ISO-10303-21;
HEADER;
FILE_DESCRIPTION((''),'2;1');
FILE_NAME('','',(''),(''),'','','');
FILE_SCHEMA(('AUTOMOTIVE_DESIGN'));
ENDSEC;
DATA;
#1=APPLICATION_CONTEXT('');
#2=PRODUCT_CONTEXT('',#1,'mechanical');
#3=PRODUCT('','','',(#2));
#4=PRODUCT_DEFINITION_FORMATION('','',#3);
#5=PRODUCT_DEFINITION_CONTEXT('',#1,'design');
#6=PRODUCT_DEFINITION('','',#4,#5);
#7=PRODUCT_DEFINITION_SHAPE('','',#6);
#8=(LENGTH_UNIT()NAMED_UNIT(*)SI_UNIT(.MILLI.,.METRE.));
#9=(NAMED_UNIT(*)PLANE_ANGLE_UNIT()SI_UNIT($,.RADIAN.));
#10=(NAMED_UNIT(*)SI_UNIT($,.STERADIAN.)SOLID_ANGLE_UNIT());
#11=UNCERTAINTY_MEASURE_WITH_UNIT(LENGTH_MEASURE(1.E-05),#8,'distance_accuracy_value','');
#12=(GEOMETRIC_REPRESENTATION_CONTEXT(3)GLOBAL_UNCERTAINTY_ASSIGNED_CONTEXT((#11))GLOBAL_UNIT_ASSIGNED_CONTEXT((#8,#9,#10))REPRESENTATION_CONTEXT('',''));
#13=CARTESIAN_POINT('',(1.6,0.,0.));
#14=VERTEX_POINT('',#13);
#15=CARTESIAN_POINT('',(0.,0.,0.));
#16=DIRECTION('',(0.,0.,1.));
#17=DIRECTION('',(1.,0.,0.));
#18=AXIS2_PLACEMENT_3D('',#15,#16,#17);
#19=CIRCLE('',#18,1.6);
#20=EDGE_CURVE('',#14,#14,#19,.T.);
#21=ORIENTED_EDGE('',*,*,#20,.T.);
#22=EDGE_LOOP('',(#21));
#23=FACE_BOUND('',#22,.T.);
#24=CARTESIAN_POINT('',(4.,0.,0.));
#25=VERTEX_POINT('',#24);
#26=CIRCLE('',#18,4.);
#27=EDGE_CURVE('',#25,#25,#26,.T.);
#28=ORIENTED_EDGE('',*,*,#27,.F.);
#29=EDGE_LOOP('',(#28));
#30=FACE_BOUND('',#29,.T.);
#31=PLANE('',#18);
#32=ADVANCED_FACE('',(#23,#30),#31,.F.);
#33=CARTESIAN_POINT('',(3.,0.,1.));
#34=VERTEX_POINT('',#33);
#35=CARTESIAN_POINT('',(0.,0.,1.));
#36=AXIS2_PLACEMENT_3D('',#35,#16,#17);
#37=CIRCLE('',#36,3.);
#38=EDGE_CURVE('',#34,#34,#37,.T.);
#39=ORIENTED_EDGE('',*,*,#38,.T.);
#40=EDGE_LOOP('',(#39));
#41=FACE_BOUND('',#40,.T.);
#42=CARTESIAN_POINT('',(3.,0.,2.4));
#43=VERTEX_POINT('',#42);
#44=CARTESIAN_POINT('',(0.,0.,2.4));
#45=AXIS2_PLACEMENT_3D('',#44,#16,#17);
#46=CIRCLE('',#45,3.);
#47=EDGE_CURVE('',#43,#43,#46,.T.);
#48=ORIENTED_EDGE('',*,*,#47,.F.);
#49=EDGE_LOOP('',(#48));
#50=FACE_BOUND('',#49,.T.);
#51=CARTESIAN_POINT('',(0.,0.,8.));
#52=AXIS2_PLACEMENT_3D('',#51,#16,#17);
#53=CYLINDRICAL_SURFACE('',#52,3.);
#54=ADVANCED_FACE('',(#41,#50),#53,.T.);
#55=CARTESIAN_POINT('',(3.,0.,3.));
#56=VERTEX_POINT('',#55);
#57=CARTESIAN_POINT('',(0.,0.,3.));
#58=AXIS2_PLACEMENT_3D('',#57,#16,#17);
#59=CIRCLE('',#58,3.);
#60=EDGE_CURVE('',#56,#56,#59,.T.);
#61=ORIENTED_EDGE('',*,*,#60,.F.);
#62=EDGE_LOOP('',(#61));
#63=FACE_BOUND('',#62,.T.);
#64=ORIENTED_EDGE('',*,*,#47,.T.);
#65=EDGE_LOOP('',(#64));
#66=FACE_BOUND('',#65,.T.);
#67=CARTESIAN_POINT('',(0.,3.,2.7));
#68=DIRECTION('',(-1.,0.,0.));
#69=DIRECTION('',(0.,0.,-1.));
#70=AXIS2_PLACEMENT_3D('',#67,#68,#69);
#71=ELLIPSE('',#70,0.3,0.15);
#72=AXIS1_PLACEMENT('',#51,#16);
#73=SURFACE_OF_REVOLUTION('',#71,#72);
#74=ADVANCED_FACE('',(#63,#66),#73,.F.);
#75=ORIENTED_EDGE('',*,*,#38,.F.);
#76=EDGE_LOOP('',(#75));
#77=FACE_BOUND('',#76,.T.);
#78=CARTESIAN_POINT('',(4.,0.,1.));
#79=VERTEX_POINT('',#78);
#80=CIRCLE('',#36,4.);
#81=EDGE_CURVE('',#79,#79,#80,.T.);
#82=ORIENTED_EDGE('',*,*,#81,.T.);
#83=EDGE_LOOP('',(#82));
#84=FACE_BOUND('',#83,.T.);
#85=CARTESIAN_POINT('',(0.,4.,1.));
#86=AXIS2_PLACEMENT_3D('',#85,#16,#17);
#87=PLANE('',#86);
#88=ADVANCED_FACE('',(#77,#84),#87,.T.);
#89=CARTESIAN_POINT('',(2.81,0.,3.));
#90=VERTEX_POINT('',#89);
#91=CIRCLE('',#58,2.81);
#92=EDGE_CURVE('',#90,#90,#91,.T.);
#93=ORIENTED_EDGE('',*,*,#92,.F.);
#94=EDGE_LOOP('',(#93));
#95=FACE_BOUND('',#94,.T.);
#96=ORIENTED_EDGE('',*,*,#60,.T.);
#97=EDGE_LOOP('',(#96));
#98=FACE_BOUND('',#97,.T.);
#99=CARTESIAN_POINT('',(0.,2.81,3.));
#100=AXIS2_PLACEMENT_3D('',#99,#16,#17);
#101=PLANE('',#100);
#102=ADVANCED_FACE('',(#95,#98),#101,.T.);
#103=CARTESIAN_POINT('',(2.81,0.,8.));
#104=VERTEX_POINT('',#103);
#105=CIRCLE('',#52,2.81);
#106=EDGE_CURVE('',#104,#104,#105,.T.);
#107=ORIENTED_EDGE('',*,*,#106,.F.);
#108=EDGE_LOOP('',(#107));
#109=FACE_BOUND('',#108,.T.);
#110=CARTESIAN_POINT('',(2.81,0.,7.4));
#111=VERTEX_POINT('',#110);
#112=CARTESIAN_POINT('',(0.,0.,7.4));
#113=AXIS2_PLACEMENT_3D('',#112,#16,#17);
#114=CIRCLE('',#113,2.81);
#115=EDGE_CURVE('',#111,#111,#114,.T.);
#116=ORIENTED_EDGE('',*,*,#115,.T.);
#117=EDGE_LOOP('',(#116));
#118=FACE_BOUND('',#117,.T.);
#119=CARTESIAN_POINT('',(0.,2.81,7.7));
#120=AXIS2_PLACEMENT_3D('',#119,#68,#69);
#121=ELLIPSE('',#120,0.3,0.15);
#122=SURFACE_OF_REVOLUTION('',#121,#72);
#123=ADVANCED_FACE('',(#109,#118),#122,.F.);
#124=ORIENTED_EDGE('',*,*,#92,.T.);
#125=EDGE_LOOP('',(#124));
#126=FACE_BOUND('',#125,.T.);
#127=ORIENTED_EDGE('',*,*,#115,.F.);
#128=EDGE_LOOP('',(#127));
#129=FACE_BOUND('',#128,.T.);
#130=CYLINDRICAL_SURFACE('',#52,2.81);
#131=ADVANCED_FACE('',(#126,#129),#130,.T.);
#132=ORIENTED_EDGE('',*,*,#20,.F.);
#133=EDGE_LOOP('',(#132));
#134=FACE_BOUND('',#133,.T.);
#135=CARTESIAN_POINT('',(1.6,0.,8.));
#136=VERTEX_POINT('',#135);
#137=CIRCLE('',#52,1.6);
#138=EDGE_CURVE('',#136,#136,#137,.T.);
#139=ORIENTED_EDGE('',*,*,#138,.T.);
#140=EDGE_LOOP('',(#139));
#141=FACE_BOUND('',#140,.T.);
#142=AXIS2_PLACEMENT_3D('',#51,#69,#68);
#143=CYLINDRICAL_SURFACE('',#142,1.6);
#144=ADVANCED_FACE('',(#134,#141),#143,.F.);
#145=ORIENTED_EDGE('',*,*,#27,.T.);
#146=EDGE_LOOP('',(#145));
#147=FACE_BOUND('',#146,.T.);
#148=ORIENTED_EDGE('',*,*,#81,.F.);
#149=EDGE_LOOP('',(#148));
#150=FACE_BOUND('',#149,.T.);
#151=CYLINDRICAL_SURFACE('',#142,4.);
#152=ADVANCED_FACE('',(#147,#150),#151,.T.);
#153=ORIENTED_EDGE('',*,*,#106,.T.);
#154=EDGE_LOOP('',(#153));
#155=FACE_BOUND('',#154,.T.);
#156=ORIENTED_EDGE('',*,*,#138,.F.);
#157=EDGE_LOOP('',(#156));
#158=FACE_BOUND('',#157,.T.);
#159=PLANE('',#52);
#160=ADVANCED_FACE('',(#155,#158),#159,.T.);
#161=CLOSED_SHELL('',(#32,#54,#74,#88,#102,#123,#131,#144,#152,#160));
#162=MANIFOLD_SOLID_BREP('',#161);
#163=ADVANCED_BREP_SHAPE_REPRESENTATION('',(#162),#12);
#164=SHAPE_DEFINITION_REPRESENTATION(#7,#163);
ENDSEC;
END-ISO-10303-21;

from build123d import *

# Parameters (mm, degrees)
SKETCH1_R           = 4
SKETCH1_R_2         = 1.6
BOSS_EXTRUDE1_DEPTH = 8


with BuildPart() as part:
    # Sketch1 → Boss-Extrude1 (new body)
    with BuildSketch(Plane.XY):
        Circle(SKETCH1_R)
        Circle(SKETCH1_R_2, mode=Mode.SUBTRACT)
    extrude(amount=BOSS_EXTRUDE1_DEPTH)

    # Sketch2 → Cut-Revolve1 (revolve, cut)
    with BuildSketch(Plane(origin=(0, 0, 0), x_dir=(0, 0, -1), z_dir=(1, 0, 0)), mode=Mode.PRIVATE) as cut_revolve1_sk:
        with BuildLine():
            Line((-2.4, 3), (-1, 3))
            Line((-1, 3), (-1, 4))
            Line((-1, 4), (-8, 4))
            Line((-8, 4), (-8, 2.81))
            add(Edge.make_bspline(
                [(-7.4, 2.81), (-7.4, 2.96), (-7.7, 2.96), (-8, 2.96), (-8, 2.81)],
                knots=[0, 0, 0, 1.570796327, 1.570796327, 3.141592654, 3.141592654, 3.141592654], degree=2, weights=[1, 0.707106781, 1, 0.707106781, 1]))
            Line((-7.4, 2.81), (-3, 2.81))
            Line((-3, 2.81), (-3, 3))
            add(Edge.make_bspline(
                [(-2.4, 3), (-2.4, 3.15), (-2.7, 3.15), (-3, 3.15), (-3, 3)],
                knots=[0, 0, 0, 1.570796327, 1.570796327, 3.141592654, 3.141592654, 3.141592654], degree=2, weights=[1, 0.707106781, 1, 0.707106781, 1]))
        make_face()
    revolve(cut_revolve1_sk.sketch.rotate(Axis((0, 0, 8), (0, 0, -1)), 90), axis=Axis((0, 0, 8), (0, 0, -1)), mode=Mode.SUBTRACT)


solid = part.part
